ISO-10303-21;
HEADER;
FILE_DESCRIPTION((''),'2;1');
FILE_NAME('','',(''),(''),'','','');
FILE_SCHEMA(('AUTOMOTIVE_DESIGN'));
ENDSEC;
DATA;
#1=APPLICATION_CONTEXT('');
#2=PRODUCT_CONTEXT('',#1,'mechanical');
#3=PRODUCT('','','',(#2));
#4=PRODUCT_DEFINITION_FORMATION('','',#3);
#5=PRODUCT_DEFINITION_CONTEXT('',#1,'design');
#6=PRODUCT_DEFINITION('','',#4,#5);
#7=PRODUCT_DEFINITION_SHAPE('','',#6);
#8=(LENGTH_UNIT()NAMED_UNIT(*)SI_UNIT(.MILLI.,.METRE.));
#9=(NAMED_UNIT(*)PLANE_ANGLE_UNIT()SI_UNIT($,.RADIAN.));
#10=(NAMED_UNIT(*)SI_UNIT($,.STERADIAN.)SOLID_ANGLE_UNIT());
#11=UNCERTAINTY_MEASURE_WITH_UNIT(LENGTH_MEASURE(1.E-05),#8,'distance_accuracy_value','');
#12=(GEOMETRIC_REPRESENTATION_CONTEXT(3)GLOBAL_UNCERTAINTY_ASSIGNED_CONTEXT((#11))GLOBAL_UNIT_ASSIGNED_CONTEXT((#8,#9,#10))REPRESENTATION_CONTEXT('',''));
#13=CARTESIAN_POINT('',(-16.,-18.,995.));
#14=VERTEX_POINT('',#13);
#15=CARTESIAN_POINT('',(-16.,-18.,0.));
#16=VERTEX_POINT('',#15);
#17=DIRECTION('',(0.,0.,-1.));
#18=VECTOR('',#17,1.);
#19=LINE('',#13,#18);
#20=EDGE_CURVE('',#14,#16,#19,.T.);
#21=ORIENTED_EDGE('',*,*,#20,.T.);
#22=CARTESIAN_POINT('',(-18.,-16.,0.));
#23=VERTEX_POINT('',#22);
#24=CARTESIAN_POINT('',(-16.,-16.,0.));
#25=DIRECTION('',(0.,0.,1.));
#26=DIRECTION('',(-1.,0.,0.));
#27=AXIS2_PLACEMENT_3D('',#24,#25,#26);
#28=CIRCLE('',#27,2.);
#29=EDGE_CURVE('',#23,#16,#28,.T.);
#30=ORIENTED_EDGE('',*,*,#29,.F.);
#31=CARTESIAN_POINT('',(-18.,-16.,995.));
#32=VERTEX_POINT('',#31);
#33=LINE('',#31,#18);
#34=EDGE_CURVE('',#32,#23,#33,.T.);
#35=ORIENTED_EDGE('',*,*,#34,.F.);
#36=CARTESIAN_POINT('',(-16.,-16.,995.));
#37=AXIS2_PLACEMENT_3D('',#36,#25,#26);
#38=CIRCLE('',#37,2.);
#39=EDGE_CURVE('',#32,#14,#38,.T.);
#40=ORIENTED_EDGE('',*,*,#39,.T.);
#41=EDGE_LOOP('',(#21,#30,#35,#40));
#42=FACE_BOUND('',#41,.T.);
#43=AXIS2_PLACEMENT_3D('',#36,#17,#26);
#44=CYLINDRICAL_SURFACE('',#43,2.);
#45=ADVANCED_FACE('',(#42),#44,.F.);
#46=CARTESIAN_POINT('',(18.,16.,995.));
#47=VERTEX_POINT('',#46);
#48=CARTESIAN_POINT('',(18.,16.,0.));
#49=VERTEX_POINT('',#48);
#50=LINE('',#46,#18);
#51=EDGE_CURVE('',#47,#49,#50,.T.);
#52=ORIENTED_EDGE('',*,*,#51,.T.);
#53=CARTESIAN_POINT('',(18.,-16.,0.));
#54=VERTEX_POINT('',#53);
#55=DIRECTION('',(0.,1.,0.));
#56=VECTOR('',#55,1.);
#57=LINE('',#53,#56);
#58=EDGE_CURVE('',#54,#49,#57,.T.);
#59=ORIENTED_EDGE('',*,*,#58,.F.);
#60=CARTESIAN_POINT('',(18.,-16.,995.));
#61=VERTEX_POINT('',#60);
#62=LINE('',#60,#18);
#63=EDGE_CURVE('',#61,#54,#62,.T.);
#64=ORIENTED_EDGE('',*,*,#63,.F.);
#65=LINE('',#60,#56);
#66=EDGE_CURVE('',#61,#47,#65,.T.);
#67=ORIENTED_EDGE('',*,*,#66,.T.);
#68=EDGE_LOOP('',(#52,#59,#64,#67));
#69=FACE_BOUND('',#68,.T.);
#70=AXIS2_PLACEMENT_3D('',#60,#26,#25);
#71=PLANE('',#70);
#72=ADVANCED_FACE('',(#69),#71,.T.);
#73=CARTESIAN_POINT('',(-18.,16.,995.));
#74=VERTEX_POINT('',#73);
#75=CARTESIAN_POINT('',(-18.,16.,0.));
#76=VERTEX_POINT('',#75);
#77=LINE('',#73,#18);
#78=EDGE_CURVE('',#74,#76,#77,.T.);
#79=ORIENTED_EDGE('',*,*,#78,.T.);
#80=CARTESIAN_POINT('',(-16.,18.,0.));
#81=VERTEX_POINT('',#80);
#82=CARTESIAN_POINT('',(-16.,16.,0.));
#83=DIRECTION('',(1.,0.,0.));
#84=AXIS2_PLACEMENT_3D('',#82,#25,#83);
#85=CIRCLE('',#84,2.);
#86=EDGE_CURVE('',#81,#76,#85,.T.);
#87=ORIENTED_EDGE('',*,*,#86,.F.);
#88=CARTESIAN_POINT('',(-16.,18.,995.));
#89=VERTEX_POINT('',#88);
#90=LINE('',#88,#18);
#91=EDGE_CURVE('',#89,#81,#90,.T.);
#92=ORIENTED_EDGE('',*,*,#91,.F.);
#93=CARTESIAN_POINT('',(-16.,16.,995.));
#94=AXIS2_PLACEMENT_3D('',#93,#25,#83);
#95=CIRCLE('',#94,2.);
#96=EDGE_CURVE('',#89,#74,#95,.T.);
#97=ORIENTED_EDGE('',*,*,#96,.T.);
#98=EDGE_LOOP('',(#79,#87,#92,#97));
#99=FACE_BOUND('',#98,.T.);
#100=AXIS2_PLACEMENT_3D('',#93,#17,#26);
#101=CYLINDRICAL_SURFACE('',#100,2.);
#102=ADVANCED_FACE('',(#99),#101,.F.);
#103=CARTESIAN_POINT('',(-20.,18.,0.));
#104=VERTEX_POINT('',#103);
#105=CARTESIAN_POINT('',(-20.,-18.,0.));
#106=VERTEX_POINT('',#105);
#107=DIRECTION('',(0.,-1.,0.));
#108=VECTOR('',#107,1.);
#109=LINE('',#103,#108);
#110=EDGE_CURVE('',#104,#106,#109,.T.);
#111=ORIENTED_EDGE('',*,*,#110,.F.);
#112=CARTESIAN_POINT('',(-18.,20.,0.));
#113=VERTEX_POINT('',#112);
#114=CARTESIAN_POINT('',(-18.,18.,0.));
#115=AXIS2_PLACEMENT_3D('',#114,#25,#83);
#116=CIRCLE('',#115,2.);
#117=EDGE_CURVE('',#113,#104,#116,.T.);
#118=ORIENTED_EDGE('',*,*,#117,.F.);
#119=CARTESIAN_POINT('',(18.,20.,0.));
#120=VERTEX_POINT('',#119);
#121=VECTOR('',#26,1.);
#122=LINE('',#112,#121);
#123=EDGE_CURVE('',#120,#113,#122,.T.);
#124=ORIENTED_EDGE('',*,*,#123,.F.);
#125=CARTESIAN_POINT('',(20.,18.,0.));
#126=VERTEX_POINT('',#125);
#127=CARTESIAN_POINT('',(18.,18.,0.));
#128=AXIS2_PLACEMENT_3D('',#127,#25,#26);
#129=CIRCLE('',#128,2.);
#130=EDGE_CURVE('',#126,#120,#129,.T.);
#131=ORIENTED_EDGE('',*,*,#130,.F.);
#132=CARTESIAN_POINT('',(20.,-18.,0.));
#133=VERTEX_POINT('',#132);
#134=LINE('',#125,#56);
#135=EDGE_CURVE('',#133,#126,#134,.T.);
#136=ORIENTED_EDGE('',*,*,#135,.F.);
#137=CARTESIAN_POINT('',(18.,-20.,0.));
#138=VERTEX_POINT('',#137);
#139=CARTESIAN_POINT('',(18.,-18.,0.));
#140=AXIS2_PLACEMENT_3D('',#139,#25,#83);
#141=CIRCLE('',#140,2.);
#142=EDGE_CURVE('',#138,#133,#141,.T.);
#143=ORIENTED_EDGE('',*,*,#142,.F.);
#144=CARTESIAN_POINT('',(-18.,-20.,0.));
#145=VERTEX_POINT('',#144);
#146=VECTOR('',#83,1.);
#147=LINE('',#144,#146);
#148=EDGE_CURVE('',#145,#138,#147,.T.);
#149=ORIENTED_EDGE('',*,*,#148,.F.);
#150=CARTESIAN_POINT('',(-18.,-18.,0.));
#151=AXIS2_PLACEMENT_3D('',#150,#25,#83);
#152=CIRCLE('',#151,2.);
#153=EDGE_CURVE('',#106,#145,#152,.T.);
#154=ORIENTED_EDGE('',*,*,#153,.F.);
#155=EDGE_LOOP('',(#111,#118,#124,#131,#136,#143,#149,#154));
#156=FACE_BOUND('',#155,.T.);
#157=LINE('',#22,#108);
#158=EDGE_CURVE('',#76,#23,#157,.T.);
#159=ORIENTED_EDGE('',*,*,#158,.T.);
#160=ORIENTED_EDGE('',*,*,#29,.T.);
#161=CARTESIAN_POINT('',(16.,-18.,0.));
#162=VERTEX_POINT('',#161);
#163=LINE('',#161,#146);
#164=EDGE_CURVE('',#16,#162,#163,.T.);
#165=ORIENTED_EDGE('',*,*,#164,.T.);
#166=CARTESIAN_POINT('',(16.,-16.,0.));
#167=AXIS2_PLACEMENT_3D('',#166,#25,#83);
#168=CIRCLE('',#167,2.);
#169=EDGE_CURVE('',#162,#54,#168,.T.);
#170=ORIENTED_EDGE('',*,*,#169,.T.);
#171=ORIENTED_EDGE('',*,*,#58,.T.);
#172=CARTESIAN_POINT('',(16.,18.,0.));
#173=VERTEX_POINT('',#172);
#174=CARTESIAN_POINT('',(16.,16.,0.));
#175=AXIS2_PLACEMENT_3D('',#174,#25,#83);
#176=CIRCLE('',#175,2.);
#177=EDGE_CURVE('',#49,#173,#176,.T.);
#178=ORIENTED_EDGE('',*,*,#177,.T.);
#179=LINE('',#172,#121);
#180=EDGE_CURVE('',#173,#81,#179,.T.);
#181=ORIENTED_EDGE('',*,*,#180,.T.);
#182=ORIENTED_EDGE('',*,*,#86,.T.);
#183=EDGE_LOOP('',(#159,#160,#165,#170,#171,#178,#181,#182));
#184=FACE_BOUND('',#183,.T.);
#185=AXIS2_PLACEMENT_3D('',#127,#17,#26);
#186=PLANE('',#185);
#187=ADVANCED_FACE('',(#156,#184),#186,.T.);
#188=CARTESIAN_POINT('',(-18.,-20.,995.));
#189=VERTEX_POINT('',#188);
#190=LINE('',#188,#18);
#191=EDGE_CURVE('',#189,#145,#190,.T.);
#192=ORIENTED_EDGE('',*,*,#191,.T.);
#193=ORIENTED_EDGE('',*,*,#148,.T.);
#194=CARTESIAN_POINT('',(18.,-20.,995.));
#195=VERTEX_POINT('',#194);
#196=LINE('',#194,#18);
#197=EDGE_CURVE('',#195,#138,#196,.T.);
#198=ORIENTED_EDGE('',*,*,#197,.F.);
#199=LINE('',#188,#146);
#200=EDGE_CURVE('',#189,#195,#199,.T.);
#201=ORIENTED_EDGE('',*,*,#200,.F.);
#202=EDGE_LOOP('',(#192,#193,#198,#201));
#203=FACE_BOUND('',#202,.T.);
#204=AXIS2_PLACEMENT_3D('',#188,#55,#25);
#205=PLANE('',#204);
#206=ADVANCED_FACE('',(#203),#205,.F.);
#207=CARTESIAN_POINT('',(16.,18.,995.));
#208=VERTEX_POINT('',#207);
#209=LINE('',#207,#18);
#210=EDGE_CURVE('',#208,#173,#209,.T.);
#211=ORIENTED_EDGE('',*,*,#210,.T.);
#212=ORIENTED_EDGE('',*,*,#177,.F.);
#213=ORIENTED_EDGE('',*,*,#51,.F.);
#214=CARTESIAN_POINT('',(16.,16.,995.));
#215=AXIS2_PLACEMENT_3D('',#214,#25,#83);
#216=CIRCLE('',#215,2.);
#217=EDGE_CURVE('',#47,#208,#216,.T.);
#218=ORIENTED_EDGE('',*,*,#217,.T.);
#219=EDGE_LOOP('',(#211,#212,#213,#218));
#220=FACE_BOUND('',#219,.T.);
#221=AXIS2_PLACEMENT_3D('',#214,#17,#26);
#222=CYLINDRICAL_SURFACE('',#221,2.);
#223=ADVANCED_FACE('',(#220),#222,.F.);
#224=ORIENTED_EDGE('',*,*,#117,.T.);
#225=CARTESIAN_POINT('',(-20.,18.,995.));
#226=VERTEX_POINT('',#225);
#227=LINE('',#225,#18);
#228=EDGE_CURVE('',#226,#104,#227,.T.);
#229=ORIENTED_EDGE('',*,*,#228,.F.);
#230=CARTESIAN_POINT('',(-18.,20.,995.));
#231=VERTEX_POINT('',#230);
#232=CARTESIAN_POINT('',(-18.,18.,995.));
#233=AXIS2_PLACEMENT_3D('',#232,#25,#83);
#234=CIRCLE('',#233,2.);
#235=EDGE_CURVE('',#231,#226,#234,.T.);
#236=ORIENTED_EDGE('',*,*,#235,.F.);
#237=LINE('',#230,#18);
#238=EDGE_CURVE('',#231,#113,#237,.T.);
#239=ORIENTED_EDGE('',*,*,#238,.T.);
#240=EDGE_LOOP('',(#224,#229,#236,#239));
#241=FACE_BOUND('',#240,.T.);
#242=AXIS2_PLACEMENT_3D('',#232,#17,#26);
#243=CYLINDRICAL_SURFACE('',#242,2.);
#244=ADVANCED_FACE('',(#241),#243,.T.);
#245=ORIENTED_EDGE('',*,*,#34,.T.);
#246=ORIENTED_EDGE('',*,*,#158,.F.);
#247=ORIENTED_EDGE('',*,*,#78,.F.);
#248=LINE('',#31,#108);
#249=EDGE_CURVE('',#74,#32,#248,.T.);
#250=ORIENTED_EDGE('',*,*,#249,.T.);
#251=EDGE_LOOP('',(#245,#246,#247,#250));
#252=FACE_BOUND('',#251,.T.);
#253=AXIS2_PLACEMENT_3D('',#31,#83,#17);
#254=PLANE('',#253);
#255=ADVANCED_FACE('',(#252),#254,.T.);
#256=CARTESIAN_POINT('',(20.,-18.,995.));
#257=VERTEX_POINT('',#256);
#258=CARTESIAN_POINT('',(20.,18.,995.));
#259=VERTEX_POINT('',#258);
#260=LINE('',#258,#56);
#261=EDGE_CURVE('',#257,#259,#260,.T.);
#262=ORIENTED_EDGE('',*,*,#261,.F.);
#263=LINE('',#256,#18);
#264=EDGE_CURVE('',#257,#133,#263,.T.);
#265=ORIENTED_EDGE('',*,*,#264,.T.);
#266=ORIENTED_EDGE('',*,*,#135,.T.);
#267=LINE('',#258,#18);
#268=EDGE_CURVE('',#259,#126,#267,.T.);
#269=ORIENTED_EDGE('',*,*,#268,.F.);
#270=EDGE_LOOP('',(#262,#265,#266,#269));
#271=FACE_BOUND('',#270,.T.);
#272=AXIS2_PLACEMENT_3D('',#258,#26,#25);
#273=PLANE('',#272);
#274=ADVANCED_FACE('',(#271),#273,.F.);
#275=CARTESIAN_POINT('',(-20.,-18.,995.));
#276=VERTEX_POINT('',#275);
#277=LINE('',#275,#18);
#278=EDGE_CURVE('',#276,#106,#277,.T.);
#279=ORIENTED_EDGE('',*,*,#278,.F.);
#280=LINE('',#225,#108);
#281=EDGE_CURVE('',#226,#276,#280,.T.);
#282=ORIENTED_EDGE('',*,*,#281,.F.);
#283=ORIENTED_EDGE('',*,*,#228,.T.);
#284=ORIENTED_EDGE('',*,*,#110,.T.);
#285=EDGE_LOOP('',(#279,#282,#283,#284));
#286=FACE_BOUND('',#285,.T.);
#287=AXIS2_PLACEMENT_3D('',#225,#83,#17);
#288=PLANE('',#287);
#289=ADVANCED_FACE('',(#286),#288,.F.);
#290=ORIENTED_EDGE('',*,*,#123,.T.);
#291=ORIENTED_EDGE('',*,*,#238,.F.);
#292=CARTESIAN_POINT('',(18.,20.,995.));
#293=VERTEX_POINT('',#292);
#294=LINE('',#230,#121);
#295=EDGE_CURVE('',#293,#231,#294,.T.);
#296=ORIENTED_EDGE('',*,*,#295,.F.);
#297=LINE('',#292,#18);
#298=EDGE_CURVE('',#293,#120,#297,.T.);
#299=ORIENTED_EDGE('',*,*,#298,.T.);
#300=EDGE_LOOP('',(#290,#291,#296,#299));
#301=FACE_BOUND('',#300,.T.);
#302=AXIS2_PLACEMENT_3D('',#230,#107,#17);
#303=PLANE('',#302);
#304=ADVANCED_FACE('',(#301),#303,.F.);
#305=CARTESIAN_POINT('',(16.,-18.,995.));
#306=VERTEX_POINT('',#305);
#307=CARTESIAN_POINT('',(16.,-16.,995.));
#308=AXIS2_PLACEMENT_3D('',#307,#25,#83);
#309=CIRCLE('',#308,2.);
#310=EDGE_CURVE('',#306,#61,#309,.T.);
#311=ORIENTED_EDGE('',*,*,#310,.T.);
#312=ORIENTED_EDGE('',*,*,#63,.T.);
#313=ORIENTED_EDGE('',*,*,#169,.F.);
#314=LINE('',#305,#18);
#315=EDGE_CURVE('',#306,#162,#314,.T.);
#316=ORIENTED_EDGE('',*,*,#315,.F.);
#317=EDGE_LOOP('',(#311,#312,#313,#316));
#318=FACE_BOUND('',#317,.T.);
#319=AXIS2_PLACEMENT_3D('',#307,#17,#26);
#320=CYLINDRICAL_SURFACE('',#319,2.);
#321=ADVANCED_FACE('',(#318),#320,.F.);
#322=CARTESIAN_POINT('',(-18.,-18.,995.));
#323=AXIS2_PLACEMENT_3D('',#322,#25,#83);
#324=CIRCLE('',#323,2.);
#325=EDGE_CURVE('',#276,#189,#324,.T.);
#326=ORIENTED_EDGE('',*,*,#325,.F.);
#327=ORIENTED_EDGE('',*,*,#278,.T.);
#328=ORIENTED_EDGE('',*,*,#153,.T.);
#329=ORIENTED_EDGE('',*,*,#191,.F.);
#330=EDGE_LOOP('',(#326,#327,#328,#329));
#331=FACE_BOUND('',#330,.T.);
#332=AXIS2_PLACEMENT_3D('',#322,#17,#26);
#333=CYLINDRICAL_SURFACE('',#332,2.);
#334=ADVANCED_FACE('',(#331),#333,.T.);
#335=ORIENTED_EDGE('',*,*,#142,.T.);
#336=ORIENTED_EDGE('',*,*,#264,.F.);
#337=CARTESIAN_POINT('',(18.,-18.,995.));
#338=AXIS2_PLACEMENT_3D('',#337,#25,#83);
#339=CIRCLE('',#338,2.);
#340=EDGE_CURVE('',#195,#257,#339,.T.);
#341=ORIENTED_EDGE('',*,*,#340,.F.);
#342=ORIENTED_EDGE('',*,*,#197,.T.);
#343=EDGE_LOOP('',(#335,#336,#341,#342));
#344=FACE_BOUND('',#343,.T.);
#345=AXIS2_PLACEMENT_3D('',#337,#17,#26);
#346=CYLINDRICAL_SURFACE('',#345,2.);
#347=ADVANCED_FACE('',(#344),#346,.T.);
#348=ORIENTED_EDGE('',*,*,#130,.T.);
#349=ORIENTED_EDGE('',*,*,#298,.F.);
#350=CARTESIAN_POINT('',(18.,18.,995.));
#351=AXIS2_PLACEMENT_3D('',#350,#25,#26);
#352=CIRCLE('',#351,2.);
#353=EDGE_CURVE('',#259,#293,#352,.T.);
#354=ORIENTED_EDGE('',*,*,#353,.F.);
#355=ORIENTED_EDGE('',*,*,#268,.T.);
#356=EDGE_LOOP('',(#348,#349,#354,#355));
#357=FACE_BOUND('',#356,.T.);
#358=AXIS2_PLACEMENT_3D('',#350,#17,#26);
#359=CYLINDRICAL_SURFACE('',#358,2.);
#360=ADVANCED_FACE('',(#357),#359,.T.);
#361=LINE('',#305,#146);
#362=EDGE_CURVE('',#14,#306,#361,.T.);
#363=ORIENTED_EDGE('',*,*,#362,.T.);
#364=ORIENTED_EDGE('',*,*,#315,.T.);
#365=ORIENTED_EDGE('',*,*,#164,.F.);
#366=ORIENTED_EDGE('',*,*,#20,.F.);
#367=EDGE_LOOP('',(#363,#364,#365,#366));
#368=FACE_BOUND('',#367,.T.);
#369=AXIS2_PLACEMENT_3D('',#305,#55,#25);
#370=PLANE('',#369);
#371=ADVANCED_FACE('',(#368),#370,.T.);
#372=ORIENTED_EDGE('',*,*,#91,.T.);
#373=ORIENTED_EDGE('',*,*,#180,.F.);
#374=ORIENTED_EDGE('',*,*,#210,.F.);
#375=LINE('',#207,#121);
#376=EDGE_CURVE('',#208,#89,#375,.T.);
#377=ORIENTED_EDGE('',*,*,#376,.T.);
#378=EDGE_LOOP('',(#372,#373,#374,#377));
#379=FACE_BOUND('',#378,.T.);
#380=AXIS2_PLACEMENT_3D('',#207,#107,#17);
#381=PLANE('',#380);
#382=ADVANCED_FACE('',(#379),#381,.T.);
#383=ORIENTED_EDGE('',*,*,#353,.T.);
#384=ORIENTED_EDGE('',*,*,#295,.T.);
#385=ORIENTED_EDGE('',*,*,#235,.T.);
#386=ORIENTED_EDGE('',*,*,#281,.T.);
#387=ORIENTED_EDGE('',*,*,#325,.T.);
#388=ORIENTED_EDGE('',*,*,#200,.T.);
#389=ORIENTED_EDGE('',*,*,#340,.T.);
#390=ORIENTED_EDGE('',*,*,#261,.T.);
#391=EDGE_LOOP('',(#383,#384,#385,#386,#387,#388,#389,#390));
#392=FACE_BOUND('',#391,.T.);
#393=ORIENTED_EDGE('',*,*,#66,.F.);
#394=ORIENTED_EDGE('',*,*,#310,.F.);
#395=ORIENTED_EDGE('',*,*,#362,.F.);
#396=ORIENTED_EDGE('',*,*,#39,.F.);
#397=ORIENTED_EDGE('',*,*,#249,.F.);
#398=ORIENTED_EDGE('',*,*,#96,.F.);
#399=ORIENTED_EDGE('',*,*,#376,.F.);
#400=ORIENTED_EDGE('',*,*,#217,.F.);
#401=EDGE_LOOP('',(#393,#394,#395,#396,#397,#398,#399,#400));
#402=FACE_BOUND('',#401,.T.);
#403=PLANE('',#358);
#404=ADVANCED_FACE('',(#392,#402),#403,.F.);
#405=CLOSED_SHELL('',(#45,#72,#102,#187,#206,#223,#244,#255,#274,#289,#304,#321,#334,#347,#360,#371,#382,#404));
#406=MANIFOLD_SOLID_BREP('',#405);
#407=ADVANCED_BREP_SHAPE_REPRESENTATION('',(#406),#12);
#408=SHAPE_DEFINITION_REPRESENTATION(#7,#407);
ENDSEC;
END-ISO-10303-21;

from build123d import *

# Parameters (mm, degrees)
EXTRUDE_1_DEPTH = 995


with BuildPart() as part:
    # Эскиз1 → Бобышка-Вытянуть1 (new body)
    with BuildSketch(Plane.XY):
        with BuildLine():
            Line((-18, 20), (18, 20))
            ThreePointArc((18, 20), (19.414213562, 19.414213562), (20, 18))
            Line((20, 18), (20, -18))
            ThreePointArc((20, -18), (19.414213562, -19.414213562), (18, -20))
            Line((18, -20), (-18, -20))
            ThreePointArc((-18, -20), (-19.414213562, -19.414213562), (-20, -18))
            Line((-20, -18), (-20, 18))
            ThreePointArc((-20, 18), (-19.414213562, 19.414213562), (-18, 20))
        make_face()
        with BuildLine():
            Line((16, -18), (-16, -18))
            ThreePointArc((-16, -18), (-17.414213562, -17.414213562), (-18, -16))
            Line((-18, -16), (-18, 16))
            ThreePointArc((-18, 16), (-17.414213562, 17.414213562), (-16, 18))
            Line((-16, 18), (16, 18))
            ThreePointArc((16, 18), (17.414213562, 17.414213562), (18, 16))
            Line((18, 16), (18, -16))
            ThreePointArc((18, -16), (17.414213562, -17.414213562), (16, -18))
        make_face(mode=Mode.SUBTRACT)
    extrude(amount=EXTRUDE_1_DEPTH)


solid = part.part
